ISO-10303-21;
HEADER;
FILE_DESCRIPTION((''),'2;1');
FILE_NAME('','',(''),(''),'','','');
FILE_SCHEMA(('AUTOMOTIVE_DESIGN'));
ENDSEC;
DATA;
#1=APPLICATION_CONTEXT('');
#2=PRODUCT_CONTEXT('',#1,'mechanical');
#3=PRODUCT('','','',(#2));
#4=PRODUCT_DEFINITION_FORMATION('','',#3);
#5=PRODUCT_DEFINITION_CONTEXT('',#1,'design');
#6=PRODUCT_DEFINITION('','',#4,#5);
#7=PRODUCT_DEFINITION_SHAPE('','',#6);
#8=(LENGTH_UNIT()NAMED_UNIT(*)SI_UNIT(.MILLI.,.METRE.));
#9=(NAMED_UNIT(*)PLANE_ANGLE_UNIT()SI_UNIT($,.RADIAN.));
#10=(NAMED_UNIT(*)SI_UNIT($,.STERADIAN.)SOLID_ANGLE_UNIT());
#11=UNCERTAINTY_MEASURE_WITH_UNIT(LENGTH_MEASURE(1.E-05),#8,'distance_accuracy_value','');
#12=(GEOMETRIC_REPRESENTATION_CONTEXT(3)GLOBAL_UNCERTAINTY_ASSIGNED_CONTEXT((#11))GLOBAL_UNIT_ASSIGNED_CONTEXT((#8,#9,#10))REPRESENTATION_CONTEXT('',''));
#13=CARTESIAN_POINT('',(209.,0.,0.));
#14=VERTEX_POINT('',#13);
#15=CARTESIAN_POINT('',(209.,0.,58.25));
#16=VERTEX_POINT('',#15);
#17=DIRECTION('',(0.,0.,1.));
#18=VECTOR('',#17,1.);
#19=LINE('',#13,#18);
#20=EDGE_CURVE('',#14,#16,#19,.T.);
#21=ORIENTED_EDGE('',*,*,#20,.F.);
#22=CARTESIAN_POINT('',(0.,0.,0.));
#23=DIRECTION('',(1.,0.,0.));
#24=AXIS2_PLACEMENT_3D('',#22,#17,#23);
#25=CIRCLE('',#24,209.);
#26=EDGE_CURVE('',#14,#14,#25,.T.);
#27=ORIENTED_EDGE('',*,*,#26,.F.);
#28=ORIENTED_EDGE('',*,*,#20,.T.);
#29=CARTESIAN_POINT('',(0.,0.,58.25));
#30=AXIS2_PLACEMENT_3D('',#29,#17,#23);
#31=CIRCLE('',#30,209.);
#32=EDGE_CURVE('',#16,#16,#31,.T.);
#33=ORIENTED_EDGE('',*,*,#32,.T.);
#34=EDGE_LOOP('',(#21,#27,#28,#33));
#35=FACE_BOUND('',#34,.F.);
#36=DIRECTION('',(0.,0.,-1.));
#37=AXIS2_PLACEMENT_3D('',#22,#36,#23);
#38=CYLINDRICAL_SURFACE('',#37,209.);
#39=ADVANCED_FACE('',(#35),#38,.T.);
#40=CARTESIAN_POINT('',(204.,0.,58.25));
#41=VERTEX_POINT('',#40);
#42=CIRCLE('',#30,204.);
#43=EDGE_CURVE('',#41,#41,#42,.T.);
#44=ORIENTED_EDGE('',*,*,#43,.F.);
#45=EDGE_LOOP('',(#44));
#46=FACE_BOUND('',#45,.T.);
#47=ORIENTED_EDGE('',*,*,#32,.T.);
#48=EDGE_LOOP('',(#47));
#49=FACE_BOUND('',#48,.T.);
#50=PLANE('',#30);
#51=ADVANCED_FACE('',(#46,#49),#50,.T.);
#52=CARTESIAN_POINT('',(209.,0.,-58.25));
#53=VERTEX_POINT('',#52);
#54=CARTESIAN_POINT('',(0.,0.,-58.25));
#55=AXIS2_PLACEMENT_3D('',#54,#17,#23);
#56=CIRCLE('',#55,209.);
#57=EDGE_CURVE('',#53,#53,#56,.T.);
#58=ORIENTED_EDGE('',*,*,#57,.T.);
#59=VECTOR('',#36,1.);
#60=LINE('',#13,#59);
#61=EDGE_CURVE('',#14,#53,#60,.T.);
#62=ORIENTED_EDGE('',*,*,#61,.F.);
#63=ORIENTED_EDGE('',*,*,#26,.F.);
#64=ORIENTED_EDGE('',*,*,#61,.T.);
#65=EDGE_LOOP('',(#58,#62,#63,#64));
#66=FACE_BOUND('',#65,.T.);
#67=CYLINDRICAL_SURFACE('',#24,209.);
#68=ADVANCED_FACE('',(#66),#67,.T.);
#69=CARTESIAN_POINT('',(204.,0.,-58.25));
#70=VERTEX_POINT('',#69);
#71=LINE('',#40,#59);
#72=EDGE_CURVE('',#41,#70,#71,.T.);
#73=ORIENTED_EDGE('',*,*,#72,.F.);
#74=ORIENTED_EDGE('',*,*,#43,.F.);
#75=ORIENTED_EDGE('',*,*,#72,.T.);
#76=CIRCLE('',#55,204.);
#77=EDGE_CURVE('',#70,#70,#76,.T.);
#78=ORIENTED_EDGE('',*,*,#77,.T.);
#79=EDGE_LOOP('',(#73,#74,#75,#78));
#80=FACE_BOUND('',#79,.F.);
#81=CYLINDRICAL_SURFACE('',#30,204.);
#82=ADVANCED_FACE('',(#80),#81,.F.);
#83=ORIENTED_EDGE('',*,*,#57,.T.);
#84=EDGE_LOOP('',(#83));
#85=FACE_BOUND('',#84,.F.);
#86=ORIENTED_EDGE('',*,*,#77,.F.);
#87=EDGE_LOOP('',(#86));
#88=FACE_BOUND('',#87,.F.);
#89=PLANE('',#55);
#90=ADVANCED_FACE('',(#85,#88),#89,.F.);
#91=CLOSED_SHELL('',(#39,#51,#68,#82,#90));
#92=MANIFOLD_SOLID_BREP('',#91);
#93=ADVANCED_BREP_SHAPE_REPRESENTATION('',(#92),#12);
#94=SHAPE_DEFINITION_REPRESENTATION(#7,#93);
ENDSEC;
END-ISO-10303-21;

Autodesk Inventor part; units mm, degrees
ref_plane "YZ Plane" through (0, 0, 0) normal (1, 0, 0) x (0, 1, 0)
ref_plane "XZ Plane" through (0, 0, 0) normal (0, 1, 0) x (-1, 0, 0)
ref_plane "XY Plane" through (0, 0, 0) normal (0, 0, 1) x (1, 0, 0)
sketch "Sketch1" plane through (0, 0, 0) normal (0, 0, 1) x (1, 0, 0)
  circle A0 centre (0, 0) radius 209
  dimension "d0" = 418
extrude "Extrusion1" add sketch "Sketch1" along normal mid plane 116.5
sketch "Sketch2" plane through (0, 0, 58.25) normal (0, 0, 1) x (1, 0, 0)
  circle A0 centre (0, 0) radius 204
  dimension "d3" = 408
extrude "Extrusion2" cut sketch "Sketch2" against normal through all
properties part number "ALPHA-II-AT_3"
